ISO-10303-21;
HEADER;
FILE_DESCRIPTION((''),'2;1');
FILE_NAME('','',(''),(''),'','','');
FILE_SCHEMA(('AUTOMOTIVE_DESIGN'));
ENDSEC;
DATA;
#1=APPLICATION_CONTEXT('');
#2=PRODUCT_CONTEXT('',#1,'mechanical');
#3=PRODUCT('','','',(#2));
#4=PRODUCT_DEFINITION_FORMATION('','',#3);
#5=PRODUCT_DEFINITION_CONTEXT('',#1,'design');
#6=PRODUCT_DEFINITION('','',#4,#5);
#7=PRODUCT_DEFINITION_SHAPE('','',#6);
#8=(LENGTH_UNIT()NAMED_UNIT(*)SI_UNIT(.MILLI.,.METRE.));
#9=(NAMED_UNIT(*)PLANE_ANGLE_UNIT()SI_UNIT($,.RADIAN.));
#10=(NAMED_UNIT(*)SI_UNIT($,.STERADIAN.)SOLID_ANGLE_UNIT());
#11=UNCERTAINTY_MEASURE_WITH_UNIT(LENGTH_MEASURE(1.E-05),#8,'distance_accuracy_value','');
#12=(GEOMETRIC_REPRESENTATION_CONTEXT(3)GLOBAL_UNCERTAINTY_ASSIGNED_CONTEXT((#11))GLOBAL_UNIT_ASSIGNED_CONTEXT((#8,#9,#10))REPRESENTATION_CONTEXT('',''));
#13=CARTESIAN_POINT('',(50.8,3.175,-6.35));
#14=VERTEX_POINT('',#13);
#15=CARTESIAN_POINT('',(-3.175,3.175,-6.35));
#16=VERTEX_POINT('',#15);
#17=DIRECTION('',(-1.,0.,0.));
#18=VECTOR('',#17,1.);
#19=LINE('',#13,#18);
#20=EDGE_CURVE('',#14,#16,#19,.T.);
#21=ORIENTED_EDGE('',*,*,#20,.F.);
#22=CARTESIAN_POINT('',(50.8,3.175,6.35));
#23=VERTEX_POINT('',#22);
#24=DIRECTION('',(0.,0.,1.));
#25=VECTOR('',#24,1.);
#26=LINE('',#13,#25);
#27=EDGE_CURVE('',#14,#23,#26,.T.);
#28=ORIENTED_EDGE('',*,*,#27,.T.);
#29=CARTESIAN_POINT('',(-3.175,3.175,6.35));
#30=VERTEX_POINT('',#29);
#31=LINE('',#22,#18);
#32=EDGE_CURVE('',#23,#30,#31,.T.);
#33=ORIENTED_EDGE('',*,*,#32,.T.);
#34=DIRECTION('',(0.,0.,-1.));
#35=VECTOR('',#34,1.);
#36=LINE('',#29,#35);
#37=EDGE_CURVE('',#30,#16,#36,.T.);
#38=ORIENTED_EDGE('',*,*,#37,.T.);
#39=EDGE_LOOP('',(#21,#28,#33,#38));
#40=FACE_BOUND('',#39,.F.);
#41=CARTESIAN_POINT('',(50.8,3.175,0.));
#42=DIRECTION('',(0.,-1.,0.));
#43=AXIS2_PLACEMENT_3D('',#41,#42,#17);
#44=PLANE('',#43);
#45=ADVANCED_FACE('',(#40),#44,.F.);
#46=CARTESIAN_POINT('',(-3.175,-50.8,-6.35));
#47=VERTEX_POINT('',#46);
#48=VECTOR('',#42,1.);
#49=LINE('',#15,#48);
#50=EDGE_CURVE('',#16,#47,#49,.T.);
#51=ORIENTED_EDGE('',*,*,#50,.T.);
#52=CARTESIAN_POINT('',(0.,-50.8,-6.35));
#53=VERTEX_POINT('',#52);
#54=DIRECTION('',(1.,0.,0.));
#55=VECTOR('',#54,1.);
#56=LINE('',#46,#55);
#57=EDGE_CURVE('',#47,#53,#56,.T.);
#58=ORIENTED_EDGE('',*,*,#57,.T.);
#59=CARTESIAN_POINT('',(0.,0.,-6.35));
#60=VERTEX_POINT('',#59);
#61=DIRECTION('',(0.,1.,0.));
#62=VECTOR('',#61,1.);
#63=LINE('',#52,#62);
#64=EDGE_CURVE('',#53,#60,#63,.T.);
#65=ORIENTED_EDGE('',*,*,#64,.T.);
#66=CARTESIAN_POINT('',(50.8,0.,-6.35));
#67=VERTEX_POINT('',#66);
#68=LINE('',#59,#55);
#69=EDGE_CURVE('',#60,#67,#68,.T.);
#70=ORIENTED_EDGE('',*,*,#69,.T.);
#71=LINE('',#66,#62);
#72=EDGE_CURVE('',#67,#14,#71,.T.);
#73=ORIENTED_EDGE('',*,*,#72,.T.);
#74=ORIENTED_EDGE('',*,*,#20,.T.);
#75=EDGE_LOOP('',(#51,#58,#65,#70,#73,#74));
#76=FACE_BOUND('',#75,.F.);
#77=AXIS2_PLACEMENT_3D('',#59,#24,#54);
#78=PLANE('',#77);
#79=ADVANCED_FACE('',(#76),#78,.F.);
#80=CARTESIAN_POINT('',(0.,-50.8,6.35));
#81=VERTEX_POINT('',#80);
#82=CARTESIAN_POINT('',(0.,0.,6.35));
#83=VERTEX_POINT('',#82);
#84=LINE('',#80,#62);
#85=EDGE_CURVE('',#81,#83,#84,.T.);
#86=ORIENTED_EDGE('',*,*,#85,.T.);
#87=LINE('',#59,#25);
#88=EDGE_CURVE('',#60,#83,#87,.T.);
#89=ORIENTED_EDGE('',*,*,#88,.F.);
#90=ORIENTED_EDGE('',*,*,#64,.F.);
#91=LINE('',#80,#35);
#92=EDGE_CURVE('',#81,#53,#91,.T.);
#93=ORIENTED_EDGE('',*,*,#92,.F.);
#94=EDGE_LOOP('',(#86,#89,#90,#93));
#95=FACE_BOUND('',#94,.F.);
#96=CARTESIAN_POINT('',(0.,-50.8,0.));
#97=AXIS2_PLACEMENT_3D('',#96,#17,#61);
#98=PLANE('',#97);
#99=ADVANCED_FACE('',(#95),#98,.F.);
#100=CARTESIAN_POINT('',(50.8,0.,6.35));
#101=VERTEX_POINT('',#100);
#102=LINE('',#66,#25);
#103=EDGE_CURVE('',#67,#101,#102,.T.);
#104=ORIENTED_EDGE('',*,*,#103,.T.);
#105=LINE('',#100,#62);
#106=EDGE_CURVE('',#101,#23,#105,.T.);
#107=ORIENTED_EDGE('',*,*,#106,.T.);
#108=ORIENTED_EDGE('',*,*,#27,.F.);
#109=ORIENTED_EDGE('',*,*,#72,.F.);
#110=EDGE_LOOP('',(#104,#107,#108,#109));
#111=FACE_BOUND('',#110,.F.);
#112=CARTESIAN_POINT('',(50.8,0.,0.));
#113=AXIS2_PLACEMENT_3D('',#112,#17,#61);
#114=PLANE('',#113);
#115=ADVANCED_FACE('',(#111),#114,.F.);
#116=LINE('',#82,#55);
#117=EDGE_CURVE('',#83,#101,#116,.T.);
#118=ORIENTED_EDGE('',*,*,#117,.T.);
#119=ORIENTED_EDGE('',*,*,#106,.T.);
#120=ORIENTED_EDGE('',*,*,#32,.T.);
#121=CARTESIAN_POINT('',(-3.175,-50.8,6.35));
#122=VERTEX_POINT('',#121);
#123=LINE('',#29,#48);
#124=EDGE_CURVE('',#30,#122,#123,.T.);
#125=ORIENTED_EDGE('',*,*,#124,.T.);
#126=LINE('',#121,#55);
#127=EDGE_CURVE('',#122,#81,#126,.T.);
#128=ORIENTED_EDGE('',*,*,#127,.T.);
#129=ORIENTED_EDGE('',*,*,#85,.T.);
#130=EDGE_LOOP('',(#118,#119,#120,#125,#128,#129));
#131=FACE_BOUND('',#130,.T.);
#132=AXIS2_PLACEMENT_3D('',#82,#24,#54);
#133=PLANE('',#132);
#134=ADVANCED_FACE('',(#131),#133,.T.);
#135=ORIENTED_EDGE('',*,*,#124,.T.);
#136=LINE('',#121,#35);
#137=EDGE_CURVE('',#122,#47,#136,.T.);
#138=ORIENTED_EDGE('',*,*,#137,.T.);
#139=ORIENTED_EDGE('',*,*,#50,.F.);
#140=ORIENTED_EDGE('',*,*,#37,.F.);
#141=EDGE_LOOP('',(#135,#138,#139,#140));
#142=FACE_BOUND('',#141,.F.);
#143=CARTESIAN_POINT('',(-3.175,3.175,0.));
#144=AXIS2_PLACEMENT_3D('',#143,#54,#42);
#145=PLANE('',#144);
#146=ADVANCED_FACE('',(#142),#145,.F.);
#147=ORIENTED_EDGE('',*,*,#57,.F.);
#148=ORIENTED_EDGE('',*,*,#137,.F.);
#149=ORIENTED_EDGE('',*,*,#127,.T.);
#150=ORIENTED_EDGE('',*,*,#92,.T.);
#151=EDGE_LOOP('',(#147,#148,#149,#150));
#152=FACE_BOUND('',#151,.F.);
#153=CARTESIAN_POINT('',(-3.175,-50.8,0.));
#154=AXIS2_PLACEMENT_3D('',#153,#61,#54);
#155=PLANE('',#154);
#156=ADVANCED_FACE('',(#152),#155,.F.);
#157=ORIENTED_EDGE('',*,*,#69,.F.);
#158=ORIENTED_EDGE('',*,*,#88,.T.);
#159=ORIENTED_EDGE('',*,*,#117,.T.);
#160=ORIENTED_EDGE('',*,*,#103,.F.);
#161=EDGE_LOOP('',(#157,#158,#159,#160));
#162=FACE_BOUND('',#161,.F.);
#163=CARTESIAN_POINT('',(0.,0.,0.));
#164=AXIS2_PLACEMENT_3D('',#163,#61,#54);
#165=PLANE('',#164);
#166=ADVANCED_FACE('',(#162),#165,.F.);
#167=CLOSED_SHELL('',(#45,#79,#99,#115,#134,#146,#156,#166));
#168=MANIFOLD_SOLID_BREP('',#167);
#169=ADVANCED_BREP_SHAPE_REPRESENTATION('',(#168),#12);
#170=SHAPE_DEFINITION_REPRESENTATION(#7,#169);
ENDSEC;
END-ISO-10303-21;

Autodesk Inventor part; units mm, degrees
ref_plane "YZ Plane" through (0, 0, 0) normal (1, 0, 0) x (0, 1, 0)
ref_plane "XZ Plane" through (0, 0, 0) normal (0, 1, 0) x (-1, 0, 0)
ref_plane "XY Plane" through (0, 0, 0) normal (0, 0, 1) x (1, 0, 0)
sketch "Sketch1" plane through (0, 0, 0) normal (0, 0, 1) x (1, 0, 0)
  line L0 (0, 0) -> (50.8, 0)
  line L1 (50.8, 0) -> (50.8, 3.175)
  line L2 (50.8, 3.175) -> (-3.175, 3.175)
  line L3 (-3.175, 3.175) -> (-3.175, -50.8)
  line L4 (-3.175, -50.8) -> (0, -50.8)
  line L5 (0, -50.8) -> (0, 0)
  dimension "d0" = 3.175
  dimension "d1" = 50.8
extrude "Extrusion1" add sketch "Sketch1" along normal mid plane 12.7
equation "\"d0\" = materialThickness"
equation "\"d1\" = bracketSize"
equation "\"materialThickness\" = 3.175"
equation "\"bracketSize\" = 50.8"
properties part number "AngleBracket"
